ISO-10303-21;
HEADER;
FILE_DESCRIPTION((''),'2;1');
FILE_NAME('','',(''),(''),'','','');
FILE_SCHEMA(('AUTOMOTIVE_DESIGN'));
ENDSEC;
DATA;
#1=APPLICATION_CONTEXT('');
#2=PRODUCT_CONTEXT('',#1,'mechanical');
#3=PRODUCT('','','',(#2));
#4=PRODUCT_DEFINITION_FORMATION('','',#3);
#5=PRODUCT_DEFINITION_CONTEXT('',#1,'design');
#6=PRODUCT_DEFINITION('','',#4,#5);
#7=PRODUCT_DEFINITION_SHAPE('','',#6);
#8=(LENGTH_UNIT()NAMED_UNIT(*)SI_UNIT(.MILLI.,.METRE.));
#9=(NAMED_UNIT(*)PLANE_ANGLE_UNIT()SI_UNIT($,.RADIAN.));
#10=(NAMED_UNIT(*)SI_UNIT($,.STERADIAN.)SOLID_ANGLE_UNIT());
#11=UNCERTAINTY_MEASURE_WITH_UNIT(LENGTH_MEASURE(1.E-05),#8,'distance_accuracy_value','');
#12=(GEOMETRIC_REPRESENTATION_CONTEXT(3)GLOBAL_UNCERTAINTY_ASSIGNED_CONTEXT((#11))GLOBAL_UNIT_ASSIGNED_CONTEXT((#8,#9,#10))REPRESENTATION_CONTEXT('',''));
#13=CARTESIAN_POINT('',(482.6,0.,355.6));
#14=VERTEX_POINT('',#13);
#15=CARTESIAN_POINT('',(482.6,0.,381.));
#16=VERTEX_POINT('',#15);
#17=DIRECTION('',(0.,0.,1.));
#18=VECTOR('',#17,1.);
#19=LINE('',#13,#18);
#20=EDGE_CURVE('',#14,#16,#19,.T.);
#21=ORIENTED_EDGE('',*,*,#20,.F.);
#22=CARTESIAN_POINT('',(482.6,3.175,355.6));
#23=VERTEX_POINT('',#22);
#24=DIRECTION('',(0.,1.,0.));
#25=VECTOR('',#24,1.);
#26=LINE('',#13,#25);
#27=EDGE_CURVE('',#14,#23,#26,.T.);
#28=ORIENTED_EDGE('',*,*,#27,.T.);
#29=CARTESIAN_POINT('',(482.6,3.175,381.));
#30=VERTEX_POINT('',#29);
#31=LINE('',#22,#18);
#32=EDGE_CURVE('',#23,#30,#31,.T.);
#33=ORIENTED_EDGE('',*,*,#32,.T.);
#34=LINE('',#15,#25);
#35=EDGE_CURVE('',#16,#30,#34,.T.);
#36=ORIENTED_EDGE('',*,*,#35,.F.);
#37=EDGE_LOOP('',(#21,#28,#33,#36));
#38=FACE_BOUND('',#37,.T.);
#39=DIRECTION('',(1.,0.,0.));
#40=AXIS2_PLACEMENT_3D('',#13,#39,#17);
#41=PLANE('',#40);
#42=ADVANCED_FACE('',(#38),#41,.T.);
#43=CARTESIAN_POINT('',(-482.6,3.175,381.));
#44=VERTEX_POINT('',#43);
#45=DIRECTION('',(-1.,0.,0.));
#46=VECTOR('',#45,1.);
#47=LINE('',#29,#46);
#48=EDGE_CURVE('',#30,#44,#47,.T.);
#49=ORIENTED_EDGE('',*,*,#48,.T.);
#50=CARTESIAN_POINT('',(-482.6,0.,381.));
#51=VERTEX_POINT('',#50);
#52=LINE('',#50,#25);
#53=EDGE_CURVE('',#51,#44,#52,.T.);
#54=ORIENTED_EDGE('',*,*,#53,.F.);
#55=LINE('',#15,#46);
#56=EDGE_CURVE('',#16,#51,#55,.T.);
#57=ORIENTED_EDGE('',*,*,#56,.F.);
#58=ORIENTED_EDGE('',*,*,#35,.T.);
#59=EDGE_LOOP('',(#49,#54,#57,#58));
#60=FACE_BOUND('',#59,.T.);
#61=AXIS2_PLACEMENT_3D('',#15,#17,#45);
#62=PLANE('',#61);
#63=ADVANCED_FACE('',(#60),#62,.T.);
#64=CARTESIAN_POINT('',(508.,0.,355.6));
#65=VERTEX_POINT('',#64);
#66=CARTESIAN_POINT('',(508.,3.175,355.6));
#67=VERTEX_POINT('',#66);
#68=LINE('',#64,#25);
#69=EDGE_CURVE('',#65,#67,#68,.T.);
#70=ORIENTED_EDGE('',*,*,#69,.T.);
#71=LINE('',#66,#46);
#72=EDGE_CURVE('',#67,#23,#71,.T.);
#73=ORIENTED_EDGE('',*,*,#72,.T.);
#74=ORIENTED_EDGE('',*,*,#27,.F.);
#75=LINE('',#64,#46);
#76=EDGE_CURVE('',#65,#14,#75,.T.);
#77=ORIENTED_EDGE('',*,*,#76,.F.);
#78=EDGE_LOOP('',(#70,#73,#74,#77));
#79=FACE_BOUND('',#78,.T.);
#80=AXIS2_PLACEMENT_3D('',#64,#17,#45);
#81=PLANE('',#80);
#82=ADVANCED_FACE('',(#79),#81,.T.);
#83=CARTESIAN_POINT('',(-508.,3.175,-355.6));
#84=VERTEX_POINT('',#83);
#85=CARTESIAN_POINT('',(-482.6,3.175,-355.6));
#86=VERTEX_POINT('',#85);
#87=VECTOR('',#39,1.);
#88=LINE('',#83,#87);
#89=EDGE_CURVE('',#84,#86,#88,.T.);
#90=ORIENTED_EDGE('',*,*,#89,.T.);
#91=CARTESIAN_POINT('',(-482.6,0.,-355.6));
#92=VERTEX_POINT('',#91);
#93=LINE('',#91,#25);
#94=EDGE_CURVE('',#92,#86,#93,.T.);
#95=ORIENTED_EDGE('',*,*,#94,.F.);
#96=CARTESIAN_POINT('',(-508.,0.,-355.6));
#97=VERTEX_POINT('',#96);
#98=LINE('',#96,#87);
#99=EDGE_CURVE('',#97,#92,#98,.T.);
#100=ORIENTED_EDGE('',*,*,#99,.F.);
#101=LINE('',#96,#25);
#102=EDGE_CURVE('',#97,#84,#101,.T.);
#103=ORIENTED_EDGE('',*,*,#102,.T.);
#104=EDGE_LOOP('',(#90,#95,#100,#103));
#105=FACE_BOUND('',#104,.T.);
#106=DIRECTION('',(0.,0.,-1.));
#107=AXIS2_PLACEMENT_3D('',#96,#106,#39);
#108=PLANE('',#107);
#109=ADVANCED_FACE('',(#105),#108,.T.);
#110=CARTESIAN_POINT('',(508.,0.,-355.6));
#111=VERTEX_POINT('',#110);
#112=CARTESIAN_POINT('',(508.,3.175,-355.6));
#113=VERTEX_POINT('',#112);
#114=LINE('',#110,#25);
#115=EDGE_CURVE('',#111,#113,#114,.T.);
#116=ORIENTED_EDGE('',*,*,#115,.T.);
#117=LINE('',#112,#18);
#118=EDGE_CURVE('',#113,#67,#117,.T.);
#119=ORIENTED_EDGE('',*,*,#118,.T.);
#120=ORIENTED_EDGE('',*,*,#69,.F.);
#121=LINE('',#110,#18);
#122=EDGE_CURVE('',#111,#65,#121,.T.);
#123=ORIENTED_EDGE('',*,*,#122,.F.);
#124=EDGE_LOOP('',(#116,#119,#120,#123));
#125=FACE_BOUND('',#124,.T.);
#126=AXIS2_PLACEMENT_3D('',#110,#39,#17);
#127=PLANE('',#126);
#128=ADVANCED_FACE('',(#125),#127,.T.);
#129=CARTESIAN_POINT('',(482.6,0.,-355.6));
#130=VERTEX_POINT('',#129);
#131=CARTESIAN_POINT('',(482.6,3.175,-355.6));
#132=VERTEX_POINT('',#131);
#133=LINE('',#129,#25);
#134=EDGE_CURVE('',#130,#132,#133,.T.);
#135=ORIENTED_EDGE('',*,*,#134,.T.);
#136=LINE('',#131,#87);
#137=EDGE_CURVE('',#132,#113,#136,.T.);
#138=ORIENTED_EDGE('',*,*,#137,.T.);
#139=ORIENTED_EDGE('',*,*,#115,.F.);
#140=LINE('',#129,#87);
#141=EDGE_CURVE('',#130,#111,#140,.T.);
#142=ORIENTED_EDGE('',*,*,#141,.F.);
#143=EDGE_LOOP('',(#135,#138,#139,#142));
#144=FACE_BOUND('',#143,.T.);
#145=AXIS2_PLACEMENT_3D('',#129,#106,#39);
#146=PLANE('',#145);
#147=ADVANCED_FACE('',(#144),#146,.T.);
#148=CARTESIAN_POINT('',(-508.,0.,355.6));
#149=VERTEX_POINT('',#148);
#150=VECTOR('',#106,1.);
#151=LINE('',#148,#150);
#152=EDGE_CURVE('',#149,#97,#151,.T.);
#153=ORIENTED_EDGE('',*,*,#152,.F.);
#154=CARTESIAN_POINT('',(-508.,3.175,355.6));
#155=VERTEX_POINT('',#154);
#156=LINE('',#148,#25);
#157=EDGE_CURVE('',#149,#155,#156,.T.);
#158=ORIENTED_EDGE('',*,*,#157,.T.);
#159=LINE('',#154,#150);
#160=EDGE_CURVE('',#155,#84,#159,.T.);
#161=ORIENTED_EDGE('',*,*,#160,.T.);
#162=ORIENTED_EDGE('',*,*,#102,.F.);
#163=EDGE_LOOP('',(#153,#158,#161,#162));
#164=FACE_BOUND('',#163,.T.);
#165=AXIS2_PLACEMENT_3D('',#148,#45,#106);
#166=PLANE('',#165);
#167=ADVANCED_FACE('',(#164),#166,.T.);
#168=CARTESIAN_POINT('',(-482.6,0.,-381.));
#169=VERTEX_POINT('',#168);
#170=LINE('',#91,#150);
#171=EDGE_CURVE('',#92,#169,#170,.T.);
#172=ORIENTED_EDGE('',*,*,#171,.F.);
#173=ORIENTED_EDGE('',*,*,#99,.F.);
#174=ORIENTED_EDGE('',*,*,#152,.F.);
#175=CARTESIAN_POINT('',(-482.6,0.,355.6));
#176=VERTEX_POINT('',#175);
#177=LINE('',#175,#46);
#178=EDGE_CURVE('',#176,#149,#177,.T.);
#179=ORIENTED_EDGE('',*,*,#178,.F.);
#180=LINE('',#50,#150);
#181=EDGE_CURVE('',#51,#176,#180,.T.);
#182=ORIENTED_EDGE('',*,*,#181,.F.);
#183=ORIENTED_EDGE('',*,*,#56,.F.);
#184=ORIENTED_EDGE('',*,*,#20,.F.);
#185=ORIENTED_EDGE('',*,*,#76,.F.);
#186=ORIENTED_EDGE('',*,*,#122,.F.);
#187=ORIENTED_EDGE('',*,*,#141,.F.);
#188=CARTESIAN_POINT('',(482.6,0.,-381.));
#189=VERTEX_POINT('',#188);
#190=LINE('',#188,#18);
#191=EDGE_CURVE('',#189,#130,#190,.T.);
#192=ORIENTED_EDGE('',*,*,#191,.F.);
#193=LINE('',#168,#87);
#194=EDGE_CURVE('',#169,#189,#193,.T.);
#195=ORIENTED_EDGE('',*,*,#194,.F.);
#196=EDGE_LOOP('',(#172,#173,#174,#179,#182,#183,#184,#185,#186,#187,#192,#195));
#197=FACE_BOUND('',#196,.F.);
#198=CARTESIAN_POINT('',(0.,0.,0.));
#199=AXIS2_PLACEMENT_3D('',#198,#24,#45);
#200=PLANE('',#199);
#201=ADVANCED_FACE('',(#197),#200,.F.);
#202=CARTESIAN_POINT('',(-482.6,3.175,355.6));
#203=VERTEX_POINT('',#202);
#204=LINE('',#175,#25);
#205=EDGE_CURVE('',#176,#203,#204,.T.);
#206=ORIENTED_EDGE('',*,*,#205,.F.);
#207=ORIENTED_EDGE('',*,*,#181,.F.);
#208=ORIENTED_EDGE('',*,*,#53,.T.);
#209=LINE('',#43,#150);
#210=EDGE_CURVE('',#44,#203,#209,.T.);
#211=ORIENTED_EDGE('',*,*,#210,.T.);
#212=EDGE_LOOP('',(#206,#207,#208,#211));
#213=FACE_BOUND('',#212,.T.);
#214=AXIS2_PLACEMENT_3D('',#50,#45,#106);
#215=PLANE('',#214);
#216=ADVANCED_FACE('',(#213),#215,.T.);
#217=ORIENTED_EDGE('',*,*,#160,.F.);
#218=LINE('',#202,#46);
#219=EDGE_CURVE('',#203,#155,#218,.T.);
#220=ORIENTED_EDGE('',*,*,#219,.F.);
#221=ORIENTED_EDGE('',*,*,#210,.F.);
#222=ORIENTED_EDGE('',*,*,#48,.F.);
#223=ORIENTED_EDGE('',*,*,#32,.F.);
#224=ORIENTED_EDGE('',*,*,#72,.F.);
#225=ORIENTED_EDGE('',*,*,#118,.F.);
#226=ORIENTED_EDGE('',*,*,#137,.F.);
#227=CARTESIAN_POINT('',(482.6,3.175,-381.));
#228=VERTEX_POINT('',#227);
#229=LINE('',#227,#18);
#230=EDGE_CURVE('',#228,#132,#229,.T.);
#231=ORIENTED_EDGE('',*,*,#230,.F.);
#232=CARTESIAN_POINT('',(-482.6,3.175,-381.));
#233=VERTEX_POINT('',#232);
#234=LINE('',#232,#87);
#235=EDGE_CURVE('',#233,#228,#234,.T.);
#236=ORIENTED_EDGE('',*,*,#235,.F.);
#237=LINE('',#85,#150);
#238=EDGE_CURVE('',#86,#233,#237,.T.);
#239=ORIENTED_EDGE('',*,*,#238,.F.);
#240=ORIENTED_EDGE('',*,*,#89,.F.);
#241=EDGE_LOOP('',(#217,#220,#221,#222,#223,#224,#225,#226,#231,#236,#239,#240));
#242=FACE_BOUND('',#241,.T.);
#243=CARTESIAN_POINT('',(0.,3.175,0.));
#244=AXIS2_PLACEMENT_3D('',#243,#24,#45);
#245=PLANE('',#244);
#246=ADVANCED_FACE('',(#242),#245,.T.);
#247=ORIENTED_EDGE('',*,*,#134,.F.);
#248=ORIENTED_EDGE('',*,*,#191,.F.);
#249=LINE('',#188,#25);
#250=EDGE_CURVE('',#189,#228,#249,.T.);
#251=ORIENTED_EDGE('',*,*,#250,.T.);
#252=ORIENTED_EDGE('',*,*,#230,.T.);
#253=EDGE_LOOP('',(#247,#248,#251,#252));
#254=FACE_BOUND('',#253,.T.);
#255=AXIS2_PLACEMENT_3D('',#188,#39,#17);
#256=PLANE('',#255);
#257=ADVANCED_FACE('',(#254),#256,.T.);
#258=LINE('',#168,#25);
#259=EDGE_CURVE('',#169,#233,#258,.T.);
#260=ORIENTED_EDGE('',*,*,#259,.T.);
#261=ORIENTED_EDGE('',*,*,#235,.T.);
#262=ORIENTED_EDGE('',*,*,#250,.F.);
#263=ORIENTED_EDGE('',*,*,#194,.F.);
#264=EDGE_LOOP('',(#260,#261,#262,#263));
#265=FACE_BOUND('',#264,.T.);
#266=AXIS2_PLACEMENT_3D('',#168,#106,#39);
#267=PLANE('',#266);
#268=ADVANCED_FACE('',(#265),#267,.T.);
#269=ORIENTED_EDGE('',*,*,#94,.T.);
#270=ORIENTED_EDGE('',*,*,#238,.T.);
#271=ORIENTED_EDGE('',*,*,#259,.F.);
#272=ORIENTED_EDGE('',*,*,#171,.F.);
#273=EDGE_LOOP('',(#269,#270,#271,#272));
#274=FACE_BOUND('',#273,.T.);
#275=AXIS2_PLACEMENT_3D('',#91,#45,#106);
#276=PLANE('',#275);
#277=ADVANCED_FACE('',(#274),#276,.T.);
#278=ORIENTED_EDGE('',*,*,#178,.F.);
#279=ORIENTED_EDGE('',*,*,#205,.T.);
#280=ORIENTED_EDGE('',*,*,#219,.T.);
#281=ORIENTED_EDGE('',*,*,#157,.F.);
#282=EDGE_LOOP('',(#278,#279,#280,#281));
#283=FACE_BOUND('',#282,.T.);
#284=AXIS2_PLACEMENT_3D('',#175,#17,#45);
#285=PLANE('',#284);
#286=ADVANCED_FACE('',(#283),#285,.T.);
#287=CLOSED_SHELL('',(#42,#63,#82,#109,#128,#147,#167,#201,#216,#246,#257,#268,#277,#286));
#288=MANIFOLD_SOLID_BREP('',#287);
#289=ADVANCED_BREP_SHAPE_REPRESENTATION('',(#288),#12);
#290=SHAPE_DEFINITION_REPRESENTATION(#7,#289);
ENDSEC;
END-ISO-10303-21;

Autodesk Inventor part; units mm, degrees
ref_plane "YZ Plane" through (0, 0, 0) normal (1, 0, 0) x (0, 1, 0)
ref_plane "XZ Plane" through (0, 0, 0) normal (0, 1, 0) x (-1, 0, 0)
ref_plane "XY Plane" through (0, 0, 0) normal (0, 0, 1) x (1, 0, 0)
sketch "Sketch1" plane through (0, 0, 0) normal (0, 1, 0) x (-1, 0, 0)
  line L0 (508, 355.6) -> (508, -355.6)
  line L1 (508, -355.6) -> (482.6, -355.6)
  line L2 (482.6, -355.6) -> (482.6, -381)
  line L3 (482.6, -381) -> (-482.6, -381)
  line L4 (-482.6, -381) -> (-482.6, -355.6)
  line L5 (-482.6, -355.6) -> (-508, -355.6)
  line L6 (-508, -355.6) -> (-508, 355.6)
  line L7 (-508, 355.6) -> (-482.6, 355.6)
  line L8 (-482.6, 355.6) -> (-482.6, 381)
  line L9 (-482.6, 381) -> (482.6, 381)
  line L10 (482.6, 381) -> (482.6, 355.6)
  line L11 (482.6, 355.6) -> (508, 355.6)
  point P0 (0, 0)
  dimension "d0" = 711.2
  dimension "d1" = 25.4
  dimension "d2" = 25.4
  dimension "d4" = 25.4
  dimension "d5" = 25.4
  dimension "d6" = 711.2
  dimension "d7" = 25.4
  dimension "d8" = 25.4
  dimension "d10" = 25.4
  dimension "d11" = 508
  dimension "d12" = 381
  dimension "d15" = 965.2
extrude "Extrusion1" add sketch "Sketch1" along normal blind 3.175
properties part number "cart plywood top side"
